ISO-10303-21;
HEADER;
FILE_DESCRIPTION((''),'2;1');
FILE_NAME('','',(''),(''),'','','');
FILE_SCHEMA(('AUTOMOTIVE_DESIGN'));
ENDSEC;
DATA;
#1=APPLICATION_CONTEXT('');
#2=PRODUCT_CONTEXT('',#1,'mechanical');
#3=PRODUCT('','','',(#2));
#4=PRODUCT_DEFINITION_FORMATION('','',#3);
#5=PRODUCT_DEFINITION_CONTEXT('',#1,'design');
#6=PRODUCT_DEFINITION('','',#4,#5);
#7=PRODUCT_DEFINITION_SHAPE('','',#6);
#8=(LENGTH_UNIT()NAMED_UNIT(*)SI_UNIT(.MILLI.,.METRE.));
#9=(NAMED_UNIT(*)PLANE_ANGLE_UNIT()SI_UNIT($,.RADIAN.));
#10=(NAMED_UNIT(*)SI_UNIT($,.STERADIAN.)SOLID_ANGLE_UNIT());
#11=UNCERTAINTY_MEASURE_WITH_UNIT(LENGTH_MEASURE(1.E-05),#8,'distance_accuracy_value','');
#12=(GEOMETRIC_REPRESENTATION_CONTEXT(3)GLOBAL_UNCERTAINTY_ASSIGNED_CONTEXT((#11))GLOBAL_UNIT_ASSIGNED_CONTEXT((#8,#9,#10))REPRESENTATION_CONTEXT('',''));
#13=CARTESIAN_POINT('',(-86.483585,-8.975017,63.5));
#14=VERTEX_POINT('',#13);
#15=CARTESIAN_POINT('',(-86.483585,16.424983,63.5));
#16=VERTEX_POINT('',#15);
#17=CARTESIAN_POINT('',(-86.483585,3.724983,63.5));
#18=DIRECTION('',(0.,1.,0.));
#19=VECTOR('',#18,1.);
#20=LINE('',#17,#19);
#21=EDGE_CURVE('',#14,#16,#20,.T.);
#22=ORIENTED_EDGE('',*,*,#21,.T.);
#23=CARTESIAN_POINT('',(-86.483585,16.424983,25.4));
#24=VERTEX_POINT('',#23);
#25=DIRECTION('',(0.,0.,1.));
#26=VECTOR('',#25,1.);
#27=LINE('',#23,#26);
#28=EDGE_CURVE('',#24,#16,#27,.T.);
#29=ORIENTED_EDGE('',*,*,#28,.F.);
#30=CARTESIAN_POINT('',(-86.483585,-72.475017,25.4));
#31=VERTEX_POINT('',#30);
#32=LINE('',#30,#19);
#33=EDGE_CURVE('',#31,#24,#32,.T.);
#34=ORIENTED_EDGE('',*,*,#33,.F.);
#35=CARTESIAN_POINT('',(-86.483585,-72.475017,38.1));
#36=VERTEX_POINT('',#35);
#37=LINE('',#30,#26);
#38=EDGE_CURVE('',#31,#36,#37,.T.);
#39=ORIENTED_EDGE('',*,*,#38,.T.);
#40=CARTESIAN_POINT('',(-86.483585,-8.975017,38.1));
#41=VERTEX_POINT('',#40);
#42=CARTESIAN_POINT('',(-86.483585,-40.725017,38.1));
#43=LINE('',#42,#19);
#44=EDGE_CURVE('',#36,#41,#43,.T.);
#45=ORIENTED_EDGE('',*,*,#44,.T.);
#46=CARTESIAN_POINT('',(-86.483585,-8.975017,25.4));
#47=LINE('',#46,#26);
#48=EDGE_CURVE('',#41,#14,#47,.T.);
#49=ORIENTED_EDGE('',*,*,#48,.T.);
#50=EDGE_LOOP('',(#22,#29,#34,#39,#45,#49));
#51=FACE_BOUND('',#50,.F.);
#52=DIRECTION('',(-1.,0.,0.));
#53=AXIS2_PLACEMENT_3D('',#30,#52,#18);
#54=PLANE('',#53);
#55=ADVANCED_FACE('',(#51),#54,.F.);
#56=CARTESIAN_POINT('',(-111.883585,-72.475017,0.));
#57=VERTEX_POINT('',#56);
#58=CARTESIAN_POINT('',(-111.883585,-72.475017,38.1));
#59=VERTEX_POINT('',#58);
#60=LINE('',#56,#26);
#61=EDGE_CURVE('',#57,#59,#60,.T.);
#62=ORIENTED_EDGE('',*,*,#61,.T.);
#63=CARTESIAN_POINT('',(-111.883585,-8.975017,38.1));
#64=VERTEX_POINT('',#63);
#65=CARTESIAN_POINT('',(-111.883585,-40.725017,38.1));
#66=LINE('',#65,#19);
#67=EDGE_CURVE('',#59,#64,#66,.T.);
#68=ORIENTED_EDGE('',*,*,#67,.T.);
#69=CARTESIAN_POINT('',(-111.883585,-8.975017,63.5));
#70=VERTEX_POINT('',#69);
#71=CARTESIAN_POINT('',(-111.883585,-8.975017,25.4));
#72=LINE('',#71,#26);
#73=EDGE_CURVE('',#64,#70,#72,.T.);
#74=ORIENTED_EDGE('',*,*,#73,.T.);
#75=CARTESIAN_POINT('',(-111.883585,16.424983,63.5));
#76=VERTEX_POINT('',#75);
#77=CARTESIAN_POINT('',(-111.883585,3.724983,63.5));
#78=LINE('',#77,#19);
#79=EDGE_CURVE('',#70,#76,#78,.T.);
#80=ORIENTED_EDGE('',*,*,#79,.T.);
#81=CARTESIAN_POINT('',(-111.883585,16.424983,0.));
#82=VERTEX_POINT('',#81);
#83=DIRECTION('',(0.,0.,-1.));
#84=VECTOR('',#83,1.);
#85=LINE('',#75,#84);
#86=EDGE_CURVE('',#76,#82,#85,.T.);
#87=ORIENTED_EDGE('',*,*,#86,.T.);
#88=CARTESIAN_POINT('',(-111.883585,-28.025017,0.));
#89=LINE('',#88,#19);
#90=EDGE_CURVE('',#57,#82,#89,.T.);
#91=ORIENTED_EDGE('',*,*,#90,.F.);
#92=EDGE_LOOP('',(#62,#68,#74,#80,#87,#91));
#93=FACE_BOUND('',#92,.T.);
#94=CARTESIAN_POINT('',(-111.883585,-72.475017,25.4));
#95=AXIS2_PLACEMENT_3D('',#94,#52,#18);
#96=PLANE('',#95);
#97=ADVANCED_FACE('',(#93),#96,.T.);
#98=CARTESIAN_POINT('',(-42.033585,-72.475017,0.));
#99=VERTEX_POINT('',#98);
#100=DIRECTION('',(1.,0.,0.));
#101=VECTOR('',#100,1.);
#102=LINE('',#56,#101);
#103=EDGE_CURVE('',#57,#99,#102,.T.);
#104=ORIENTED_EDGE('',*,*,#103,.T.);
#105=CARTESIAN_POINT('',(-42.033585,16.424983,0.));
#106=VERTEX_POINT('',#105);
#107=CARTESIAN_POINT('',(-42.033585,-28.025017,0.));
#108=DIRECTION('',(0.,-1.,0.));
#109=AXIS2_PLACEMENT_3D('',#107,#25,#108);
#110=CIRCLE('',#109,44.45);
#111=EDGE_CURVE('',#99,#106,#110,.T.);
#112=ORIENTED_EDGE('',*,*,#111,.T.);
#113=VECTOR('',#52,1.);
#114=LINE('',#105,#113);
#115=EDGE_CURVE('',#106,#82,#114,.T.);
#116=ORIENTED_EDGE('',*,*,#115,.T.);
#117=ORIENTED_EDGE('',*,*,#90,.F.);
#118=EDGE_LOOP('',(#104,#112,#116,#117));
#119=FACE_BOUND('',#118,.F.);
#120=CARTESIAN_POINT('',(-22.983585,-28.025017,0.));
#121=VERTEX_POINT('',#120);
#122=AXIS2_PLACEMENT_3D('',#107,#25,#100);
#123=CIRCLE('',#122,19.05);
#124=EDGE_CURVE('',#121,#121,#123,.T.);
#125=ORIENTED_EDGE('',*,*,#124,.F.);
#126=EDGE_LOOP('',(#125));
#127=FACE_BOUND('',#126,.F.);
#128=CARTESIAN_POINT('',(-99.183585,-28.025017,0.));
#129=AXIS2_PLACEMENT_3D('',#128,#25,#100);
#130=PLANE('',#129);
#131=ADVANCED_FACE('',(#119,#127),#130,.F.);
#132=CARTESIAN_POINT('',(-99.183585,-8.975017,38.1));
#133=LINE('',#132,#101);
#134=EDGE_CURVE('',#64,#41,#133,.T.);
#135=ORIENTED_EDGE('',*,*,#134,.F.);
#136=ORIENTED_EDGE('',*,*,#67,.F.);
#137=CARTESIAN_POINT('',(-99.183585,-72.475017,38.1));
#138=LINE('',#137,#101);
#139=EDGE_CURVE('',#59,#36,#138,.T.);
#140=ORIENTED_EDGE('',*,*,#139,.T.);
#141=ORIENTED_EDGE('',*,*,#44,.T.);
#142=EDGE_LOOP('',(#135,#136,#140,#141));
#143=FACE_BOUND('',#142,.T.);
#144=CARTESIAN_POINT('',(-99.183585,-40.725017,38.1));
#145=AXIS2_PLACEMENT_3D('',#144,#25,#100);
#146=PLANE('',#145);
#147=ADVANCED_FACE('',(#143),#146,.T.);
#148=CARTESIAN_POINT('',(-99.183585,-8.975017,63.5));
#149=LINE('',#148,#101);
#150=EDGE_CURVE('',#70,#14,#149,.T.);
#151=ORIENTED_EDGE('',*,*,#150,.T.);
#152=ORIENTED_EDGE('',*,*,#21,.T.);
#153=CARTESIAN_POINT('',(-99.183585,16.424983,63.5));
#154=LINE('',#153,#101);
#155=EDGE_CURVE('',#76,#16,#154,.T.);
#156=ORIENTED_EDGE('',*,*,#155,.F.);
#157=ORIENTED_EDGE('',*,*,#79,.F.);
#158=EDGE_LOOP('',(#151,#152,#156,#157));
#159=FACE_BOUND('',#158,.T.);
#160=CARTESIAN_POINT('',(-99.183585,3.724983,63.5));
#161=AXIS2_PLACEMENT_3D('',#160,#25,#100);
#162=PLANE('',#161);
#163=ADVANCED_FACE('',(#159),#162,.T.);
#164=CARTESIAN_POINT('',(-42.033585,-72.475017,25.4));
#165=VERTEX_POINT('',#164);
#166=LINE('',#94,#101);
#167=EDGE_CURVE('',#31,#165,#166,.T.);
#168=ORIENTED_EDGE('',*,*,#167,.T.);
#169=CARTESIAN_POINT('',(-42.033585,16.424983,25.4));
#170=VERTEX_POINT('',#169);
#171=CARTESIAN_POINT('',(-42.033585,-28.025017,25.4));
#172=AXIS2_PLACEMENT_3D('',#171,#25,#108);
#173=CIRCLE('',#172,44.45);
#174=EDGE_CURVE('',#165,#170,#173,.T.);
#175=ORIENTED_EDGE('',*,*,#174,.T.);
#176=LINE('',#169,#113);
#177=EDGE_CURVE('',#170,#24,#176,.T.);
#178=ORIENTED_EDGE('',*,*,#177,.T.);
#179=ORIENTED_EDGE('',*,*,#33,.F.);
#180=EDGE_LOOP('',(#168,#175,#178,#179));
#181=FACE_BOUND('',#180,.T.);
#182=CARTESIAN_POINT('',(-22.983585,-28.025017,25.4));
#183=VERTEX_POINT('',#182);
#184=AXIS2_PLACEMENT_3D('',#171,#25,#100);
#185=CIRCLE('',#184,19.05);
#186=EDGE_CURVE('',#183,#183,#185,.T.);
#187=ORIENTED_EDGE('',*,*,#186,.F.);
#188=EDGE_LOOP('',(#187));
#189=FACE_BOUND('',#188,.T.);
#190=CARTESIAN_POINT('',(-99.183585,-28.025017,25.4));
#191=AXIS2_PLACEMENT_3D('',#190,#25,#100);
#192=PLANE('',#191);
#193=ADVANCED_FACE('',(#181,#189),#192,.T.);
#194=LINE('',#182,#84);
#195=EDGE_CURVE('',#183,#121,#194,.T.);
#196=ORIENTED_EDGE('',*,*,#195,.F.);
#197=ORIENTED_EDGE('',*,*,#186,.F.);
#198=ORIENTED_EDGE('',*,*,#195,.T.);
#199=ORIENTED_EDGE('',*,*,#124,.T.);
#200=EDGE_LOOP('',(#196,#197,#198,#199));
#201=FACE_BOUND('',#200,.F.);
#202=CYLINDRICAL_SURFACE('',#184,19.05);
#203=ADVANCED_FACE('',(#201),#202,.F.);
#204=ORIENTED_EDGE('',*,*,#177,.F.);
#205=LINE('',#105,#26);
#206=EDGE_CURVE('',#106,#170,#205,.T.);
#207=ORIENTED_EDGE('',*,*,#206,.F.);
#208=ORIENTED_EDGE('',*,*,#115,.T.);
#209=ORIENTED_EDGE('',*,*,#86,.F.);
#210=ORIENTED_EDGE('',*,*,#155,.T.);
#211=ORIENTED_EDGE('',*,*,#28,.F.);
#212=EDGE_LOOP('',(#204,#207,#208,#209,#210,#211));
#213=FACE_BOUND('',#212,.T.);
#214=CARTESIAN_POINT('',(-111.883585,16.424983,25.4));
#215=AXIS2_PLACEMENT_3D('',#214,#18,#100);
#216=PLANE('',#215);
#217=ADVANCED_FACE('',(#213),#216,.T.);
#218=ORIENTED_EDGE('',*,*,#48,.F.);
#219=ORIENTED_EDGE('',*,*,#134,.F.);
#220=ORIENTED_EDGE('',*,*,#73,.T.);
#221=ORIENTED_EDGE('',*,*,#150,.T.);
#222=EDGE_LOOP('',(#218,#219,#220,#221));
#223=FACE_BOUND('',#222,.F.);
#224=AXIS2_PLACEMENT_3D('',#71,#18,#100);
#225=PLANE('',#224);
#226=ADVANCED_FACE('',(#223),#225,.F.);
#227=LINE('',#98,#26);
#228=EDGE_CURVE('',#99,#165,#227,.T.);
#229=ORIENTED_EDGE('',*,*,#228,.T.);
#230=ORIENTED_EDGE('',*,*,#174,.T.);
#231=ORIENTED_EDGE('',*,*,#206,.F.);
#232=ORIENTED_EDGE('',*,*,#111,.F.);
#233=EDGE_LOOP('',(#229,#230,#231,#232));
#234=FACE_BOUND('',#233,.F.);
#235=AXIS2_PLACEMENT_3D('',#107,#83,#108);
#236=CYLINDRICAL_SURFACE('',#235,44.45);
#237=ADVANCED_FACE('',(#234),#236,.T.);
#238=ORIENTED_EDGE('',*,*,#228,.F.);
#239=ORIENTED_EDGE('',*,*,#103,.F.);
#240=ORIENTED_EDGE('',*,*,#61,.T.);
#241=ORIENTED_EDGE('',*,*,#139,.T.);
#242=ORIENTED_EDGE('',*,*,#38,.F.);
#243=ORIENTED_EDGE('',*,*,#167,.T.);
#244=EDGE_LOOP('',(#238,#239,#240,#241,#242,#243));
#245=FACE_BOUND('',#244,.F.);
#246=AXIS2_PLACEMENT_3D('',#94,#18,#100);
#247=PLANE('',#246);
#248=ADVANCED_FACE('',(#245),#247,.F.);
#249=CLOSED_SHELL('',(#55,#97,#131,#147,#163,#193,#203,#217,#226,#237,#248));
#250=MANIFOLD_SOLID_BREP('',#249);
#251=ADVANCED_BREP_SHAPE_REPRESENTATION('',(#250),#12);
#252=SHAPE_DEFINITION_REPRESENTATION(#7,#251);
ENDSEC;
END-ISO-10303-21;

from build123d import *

# Parameters (mm, degrees)
F0_W     = 25.4
F0_H     = 88.9
F1_DEPTH = 25.4
F2_W     = 25.4
F2_H     = 25.4
F3_DEPTH = 38.1
F4_W     = 25.4
F4_H     = 63.5
F5_DEPTH = 12.7
F6_R     = 19.05
F7_DEPTH = 25.4


with BuildPart() as f1:
    # F0 (on Top) → F1 (new body)
    with BuildSketch(Plane.XY):
        with Locations((-99.183585, -28.025017)):
            Rectangle(F0_W, F0_H)
        with BuildLine():
            Line((-42.033585, 16.424983), (-86.483585, 16.424983))
            Line((-86.483585, 16.424983), (-86.483585, -72.475017))
            Line((-86.483585, -72.475017), (-42.033585, -72.475017))
            ThreePointArc((-42.033585, -72.475017), (2.416415, -28.025017), (-42.033585, 16.424983))
        make_face()
    extrude(amount=F1_DEPTH)

    # F2 (on face) → F3 (join)
    with BuildSketch(Plane.XY.offset(25.4)):
        with Locations((-99.183585, 3.724983)):
            Rectangle(F2_W, F2_H)
    extrude(amount=F3_DEPTH)

    # F4 (on face) → F5 (join)
    with BuildSketch(Plane.XY.offset(25.4)):
        with Locations((-99.183585, -40.725017)):
            Rectangle(F4_W, F4_H)
    extrude(amount=F5_DEPTH)

    # F6 (on face) → F7 (cut)
    with BuildSketch(Plane.XY.offset(25.4)):
        with Locations((-42.033585, -28.025017)):
            Circle(F6_R)
    extrude(amount=-F7_DEPTH, mode=Mode.SUBTRACT)


solid = f1.part
